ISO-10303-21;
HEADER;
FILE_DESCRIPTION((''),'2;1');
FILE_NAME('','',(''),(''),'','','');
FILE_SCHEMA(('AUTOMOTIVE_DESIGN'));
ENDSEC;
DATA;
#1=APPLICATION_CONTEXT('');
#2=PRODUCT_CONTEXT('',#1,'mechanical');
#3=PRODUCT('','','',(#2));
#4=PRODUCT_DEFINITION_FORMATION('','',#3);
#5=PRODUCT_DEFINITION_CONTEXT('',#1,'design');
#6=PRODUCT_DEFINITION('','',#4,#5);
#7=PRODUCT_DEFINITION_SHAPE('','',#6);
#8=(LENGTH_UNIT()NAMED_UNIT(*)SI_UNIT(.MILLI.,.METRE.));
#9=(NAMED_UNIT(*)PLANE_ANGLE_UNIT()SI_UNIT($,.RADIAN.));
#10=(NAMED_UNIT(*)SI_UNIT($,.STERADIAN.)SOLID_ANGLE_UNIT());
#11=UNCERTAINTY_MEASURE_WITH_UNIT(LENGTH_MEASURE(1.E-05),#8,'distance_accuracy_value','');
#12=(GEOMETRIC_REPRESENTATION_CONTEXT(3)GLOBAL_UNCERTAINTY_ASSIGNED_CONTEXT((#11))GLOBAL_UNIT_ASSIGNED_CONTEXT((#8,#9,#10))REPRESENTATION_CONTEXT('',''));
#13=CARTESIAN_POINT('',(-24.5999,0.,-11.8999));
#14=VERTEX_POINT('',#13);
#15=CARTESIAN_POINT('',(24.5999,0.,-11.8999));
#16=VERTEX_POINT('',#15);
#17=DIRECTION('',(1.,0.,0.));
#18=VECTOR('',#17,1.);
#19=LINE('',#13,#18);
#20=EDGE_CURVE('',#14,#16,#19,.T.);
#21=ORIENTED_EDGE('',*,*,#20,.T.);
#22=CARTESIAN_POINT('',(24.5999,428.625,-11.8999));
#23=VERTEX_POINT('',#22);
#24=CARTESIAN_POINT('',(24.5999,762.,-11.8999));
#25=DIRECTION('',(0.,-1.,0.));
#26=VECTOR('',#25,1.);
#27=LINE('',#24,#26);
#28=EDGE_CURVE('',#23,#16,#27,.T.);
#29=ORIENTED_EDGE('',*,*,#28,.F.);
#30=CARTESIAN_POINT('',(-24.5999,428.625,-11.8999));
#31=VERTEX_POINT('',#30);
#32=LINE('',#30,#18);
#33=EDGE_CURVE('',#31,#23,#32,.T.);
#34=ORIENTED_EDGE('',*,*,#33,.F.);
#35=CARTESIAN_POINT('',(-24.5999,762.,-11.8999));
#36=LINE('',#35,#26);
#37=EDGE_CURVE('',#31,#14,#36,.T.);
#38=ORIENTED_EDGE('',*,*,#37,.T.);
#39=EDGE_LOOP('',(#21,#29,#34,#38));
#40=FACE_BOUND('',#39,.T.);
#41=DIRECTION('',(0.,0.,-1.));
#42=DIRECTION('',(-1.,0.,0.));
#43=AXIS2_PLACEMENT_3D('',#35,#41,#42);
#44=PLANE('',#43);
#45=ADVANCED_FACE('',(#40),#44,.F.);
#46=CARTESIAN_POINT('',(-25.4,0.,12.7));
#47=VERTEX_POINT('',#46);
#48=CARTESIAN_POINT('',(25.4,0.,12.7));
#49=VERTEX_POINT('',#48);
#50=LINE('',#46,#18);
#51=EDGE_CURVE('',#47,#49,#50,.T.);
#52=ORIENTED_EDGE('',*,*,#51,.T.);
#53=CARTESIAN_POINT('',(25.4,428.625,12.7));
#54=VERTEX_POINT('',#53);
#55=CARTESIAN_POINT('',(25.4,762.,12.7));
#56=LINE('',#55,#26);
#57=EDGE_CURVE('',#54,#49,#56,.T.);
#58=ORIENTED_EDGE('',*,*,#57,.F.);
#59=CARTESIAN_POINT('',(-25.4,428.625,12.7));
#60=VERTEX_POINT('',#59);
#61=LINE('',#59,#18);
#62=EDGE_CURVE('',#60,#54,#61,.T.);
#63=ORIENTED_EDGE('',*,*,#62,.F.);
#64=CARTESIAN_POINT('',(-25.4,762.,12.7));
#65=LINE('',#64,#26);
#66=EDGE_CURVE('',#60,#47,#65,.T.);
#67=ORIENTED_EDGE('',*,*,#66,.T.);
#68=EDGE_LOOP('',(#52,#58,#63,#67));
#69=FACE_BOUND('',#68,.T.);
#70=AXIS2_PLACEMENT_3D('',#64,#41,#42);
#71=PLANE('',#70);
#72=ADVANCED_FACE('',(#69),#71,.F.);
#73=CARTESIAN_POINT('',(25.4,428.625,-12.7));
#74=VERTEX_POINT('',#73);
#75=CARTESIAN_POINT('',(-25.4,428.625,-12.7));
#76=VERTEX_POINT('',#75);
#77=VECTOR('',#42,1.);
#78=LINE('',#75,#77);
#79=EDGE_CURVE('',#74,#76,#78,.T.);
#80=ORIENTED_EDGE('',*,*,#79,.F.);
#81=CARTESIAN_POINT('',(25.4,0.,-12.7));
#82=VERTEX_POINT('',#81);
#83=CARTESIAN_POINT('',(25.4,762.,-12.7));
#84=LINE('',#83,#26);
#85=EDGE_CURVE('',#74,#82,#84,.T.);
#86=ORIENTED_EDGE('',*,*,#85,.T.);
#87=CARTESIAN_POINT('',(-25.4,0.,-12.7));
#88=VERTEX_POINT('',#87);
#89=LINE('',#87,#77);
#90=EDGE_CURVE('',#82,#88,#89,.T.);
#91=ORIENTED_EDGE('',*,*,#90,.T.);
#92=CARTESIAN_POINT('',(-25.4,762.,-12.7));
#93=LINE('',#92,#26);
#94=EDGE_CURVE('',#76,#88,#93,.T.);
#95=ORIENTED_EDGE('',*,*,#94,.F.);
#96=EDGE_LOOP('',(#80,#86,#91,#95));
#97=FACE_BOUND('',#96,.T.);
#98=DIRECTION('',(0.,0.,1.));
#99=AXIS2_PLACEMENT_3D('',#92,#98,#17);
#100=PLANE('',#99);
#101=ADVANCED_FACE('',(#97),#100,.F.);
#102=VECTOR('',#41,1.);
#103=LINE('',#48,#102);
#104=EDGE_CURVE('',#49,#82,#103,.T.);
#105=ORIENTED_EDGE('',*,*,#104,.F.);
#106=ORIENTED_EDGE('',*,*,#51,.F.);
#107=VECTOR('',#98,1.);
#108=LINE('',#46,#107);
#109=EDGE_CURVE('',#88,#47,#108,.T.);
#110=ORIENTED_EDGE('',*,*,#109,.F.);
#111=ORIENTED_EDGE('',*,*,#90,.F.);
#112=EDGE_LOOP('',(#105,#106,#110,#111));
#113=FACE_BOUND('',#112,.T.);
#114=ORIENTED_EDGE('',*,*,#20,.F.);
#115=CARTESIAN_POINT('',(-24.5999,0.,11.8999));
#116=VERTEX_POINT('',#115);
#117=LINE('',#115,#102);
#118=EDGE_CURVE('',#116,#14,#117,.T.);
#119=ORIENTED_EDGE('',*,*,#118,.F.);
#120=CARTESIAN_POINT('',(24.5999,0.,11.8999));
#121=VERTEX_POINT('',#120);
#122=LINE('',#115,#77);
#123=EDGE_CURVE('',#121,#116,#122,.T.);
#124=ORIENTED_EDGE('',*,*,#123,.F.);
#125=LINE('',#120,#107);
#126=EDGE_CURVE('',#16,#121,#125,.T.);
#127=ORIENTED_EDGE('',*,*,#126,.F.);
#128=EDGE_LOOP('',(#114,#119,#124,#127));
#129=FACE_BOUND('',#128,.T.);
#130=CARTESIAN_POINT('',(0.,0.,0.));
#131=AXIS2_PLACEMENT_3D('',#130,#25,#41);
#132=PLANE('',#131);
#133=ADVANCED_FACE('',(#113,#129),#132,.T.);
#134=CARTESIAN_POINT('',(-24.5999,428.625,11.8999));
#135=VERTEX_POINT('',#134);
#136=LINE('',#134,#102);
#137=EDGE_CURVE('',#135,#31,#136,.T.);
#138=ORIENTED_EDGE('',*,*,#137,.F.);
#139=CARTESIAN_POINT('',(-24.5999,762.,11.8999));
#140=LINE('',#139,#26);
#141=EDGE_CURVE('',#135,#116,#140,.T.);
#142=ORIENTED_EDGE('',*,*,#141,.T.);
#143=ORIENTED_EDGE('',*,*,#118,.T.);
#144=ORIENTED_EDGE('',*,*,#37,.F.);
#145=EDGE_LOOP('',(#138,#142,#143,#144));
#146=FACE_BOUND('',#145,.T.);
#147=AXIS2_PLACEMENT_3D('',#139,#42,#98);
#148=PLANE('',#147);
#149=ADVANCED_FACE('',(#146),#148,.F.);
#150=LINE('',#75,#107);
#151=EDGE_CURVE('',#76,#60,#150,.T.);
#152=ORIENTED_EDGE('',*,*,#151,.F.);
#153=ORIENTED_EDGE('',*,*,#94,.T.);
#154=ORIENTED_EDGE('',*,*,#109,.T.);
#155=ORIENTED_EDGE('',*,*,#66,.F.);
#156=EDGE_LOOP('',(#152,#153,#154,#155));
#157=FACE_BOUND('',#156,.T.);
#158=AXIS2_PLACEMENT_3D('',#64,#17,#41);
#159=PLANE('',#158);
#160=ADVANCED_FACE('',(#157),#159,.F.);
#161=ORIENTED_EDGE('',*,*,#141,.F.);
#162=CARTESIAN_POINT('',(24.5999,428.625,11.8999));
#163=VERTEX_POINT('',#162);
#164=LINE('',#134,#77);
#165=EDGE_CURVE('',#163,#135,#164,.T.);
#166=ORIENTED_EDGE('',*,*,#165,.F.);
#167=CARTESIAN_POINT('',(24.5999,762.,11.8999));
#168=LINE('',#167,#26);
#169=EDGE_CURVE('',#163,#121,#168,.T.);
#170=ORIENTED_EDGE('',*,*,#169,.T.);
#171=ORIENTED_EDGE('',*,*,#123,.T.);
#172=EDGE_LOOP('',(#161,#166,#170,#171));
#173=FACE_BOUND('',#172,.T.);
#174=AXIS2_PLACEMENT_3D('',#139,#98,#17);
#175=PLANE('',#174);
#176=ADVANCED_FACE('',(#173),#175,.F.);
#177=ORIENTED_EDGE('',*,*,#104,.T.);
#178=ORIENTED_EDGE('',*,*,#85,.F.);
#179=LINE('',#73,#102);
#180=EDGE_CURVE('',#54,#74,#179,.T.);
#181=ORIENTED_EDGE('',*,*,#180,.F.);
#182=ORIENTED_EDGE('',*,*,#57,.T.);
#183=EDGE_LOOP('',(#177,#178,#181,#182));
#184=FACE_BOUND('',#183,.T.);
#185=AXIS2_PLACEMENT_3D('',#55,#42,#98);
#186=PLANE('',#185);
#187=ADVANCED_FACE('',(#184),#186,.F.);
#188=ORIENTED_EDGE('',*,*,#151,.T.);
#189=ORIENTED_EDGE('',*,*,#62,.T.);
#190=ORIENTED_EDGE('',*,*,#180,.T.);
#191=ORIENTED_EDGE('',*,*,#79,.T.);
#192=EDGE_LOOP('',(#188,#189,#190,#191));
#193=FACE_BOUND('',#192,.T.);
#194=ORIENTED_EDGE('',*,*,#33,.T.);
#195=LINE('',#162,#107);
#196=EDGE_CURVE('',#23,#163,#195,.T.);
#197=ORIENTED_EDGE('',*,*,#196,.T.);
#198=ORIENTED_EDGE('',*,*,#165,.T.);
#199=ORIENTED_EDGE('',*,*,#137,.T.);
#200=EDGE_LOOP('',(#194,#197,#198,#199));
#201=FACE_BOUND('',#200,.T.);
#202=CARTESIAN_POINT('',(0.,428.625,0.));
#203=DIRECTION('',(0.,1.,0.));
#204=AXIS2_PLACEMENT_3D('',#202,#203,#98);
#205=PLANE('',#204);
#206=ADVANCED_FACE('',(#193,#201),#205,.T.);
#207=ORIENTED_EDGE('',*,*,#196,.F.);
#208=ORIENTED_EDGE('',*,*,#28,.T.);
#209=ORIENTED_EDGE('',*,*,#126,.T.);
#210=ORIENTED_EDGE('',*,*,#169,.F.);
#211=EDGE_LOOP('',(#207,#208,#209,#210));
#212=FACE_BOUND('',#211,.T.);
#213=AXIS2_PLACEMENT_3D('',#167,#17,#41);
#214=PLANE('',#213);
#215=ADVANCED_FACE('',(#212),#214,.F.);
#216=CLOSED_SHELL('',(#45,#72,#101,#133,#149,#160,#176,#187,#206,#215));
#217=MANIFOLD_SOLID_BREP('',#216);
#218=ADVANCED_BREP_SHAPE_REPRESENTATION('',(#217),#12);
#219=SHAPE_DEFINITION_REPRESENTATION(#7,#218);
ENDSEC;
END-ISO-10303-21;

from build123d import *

# Parameters (mm, degrees)
SKETCH1_W           = 50.8
SKETCH1_H           = 25.4
BOSS_EXTRUDE1_DEPTH = 762
SKETCH2_W           = 49.1998
SKETCH2_H           = 23.7998
CUT_EXTRUDE1_DEPTH  = 763.528983056
SKETCH3_W           = 50.8
SKETCH3_H           = 25.4
CUT_EXTRUDE2_DEPTH  = 333.375


with BuildPart() as part:
    # Sketch1 → Boss-Extrude1 (new body)
    with BuildSketch(Plane(origin=(0, 0, 0), x_dir=(1, 0, 0), z_dir=(0, 1, 0))):
        Rectangle(SKETCH1_W, SKETCH1_H)
    extrude(amount=BOSS_EXTRUDE1_DEPTH)

    # Sketch2 → Cut-Extrude1 (cut, through all)
    with BuildSketch(Plane.XZ):
        Rectangle(SKETCH2_W, SKETCH2_H)
    extrude(amount=-CUT_EXTRUDE1_DEPTH, mode=Mode.SUBTRACT)

    # Sketch3 → Cut-Extrude2 (cut)
    with BuildSketch(Plane(origin=(0, 762, 0), x_dir=(1, 0, 0), z_dir=(0, 1, 0))):
        Rectangle(SKETCH3_W, SKETCH3_H)
    extrude(amount=-CUT_EXTRUDE2_DEPTH, mode=Mode.SUBTRACT)


solid = part.part
